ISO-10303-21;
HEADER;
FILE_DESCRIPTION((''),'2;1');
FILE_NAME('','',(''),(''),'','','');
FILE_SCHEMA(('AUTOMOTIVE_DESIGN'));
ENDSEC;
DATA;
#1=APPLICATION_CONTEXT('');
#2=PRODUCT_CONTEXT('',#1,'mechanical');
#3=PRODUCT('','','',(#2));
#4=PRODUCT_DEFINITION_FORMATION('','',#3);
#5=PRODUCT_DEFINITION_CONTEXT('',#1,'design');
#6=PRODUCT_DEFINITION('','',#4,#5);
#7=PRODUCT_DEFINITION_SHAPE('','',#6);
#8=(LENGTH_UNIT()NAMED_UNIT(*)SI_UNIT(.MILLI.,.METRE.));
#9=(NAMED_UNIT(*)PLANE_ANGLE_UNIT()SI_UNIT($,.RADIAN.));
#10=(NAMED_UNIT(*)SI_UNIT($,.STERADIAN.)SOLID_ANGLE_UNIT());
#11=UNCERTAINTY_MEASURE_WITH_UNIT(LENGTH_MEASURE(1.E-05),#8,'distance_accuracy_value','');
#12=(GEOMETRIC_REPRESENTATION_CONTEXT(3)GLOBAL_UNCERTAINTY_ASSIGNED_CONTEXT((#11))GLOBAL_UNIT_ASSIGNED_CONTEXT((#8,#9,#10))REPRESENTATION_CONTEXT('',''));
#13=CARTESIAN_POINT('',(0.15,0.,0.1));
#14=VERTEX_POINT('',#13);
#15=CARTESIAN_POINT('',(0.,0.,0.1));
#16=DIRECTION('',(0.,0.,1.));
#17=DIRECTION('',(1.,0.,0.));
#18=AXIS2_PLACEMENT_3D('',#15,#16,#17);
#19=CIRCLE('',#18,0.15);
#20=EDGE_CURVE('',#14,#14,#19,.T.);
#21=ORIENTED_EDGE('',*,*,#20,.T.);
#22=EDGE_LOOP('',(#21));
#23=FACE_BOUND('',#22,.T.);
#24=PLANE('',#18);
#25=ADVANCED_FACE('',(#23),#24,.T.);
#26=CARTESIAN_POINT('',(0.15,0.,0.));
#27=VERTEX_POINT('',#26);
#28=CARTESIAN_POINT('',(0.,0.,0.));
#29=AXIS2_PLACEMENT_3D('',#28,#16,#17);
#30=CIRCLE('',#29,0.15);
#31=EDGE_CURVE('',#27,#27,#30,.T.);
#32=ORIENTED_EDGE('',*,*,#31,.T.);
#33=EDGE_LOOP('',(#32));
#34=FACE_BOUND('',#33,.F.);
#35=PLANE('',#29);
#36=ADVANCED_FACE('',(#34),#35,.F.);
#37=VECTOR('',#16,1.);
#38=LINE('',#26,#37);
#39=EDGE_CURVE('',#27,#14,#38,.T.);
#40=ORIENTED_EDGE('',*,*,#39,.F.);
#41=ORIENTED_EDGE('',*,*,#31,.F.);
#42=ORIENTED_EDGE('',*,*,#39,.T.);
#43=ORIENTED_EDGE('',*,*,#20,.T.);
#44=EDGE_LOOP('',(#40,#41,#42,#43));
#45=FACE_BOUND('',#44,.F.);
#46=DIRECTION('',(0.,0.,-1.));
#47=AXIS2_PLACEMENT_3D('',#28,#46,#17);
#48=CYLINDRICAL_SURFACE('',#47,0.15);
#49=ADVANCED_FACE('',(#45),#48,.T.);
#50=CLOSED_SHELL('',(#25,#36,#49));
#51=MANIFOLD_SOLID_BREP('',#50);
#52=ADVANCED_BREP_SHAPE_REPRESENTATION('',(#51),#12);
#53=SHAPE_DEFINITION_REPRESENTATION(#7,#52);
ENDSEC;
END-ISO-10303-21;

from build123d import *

# Parameters (mm, degrees)
SKETCH_R  = 0.15
PAD_DEPTH = 0.1


with BuildPart() as part:
    # Sketch → Pad (new body)
    with BuildSketch(Plane.XY):
        Circle(SKETCH_R)
    extrude(amount=PAD_DEPTH)


solid = part.part
